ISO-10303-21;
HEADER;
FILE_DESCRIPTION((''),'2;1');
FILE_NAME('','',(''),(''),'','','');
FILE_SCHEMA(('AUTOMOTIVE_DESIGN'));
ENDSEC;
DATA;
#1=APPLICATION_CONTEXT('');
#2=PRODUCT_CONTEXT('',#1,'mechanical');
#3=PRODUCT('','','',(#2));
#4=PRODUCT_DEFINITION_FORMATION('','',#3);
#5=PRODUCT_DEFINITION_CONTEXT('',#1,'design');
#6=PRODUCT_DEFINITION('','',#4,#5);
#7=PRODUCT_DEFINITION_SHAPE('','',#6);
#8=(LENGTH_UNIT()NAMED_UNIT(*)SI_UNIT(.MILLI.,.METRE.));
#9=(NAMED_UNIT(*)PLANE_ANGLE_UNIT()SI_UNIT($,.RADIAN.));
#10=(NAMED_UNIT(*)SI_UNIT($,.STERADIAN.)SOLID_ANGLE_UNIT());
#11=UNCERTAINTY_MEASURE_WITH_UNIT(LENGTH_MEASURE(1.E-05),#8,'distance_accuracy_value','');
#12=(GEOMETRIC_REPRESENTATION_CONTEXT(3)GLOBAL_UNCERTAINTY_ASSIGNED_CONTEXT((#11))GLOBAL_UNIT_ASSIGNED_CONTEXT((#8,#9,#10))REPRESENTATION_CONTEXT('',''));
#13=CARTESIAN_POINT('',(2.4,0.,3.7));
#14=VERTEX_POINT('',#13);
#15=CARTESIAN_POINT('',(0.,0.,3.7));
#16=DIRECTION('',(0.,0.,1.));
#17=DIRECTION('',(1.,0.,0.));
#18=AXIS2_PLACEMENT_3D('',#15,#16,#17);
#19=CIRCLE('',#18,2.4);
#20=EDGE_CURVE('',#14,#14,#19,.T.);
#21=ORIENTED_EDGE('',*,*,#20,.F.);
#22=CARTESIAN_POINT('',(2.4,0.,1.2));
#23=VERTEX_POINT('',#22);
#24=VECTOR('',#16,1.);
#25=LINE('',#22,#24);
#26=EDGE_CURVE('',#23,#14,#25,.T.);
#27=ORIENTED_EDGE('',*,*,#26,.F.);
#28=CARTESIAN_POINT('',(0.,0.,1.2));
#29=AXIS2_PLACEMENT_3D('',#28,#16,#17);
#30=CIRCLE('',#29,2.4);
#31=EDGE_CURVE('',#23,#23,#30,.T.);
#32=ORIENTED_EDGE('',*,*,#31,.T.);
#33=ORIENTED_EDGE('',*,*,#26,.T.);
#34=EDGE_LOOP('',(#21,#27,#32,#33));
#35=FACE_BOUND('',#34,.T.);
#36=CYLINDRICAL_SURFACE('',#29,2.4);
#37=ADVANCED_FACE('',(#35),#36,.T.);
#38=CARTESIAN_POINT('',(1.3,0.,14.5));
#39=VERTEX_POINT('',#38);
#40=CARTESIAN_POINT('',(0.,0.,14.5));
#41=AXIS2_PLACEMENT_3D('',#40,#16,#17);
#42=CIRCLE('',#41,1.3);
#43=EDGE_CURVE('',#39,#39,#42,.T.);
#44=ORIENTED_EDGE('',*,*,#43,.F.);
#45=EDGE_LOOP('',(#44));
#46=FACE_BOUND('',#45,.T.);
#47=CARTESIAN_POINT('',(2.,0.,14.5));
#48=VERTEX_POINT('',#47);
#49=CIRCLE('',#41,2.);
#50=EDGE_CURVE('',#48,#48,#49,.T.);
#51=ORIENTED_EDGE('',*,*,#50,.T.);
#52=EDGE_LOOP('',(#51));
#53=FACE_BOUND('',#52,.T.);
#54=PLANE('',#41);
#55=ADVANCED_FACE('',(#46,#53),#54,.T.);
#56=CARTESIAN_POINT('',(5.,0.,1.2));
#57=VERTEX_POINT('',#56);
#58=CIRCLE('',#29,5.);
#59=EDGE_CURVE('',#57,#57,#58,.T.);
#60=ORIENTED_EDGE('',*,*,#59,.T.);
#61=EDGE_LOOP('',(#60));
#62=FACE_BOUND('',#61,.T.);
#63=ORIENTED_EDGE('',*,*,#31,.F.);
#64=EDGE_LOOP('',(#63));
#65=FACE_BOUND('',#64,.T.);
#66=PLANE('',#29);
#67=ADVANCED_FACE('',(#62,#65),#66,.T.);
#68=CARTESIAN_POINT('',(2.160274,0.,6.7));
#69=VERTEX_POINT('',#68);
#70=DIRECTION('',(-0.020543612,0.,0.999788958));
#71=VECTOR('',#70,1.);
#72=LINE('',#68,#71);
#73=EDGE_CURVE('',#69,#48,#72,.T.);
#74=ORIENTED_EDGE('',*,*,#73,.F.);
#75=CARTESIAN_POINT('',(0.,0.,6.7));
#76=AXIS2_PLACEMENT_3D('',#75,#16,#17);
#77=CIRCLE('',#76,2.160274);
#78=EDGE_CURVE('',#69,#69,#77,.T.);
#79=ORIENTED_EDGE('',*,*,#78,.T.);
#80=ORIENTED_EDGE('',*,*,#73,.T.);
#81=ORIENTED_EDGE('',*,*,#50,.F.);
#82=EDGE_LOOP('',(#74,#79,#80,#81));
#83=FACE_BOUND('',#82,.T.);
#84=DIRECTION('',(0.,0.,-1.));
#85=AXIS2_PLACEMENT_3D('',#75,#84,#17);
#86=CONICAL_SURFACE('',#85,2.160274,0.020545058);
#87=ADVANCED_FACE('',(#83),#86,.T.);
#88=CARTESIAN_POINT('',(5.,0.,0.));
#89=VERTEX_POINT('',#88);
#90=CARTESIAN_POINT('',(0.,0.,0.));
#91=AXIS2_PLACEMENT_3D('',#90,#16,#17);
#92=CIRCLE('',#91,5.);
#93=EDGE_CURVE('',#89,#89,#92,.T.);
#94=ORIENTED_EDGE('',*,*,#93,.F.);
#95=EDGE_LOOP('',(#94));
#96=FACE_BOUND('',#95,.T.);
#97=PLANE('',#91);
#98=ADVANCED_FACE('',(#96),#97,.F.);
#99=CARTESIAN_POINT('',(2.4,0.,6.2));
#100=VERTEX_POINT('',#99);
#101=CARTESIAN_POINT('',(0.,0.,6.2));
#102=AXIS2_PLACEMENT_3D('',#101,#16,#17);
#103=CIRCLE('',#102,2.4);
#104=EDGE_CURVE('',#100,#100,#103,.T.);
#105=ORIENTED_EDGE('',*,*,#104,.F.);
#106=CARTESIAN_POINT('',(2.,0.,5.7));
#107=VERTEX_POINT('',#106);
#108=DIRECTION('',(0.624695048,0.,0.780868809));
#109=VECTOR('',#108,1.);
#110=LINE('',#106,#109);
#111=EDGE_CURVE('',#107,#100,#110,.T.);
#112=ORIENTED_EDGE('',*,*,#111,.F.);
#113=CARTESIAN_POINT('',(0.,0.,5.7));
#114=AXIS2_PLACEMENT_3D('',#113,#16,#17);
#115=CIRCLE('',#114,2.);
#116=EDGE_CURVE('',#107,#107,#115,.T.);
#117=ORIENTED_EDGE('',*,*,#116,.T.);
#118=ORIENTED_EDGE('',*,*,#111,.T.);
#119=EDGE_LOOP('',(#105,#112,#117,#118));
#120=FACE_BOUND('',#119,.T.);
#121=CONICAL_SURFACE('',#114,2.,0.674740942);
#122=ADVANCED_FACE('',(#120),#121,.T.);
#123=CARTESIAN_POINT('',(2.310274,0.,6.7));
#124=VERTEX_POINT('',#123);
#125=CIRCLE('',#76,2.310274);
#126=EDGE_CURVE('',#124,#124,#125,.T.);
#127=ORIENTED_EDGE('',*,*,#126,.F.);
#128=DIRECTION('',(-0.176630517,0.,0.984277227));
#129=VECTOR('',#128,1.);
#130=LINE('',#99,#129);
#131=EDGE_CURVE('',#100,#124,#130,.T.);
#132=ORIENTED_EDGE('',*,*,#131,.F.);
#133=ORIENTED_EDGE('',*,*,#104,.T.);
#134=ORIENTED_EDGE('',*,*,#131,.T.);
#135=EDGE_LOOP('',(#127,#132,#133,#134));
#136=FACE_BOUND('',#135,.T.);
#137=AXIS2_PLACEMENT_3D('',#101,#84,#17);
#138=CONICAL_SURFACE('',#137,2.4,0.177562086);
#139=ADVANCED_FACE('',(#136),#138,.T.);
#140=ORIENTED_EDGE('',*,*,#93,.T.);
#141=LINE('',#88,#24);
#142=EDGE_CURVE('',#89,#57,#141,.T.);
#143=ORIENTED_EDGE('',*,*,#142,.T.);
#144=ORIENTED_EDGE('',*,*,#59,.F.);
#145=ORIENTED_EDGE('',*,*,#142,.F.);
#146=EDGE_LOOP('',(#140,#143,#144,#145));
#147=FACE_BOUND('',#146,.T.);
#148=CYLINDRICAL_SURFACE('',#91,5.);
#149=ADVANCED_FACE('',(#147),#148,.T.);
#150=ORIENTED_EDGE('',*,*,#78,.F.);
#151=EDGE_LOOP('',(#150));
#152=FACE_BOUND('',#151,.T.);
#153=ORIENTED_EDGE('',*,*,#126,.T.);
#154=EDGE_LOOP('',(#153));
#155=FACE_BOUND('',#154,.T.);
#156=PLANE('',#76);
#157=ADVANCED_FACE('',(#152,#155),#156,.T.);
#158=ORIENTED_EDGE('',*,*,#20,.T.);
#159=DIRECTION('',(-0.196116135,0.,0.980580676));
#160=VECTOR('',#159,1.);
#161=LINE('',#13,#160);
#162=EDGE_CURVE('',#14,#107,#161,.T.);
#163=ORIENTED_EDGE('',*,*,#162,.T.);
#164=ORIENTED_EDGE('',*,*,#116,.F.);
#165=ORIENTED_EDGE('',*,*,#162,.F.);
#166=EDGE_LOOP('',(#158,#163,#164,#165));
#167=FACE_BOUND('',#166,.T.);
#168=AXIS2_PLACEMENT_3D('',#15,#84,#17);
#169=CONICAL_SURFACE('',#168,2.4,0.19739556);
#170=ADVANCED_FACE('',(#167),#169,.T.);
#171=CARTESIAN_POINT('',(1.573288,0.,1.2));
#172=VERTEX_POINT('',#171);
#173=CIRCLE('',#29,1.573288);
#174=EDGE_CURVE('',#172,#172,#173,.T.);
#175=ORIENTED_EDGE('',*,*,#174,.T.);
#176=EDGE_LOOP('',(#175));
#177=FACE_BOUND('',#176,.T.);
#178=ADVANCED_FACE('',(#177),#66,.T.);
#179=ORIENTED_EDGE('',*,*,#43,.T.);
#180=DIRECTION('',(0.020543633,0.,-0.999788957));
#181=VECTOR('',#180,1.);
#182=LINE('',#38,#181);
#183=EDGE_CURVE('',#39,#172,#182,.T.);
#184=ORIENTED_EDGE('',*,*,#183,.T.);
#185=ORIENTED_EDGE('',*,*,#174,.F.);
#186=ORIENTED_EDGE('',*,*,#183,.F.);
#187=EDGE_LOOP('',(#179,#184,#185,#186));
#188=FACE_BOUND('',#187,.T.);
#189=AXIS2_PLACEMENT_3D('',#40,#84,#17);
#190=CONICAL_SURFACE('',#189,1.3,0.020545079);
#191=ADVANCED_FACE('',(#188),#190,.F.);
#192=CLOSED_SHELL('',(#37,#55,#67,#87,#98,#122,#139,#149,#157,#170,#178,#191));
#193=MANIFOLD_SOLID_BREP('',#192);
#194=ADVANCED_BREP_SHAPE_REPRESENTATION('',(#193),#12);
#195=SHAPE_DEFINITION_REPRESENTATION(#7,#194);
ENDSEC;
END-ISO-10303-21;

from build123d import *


with BuildPart() as f1:
    # F0 (on Front) → F1 (revolve)
    with BuildSketch(Plane.XZ):
        Polygon((1.3, 14.5), (1.573288, 1.2), (2.4, 1.2), (2.4, 3.7), (2, 5.7), (2.4, 6.2), (2.310274, 6.7), (2.160274, 6.7), (2, 14.5), align=None)
        Polygon((0, 1.2), (0, 0), (5, 0), (5, 1.2), (2.4, 1.2), (1.573288, 1.2), align=None)
    revolve(axis=Axis((0, 0, 7.25), (0, 0, 1)))


solid = f1.part
